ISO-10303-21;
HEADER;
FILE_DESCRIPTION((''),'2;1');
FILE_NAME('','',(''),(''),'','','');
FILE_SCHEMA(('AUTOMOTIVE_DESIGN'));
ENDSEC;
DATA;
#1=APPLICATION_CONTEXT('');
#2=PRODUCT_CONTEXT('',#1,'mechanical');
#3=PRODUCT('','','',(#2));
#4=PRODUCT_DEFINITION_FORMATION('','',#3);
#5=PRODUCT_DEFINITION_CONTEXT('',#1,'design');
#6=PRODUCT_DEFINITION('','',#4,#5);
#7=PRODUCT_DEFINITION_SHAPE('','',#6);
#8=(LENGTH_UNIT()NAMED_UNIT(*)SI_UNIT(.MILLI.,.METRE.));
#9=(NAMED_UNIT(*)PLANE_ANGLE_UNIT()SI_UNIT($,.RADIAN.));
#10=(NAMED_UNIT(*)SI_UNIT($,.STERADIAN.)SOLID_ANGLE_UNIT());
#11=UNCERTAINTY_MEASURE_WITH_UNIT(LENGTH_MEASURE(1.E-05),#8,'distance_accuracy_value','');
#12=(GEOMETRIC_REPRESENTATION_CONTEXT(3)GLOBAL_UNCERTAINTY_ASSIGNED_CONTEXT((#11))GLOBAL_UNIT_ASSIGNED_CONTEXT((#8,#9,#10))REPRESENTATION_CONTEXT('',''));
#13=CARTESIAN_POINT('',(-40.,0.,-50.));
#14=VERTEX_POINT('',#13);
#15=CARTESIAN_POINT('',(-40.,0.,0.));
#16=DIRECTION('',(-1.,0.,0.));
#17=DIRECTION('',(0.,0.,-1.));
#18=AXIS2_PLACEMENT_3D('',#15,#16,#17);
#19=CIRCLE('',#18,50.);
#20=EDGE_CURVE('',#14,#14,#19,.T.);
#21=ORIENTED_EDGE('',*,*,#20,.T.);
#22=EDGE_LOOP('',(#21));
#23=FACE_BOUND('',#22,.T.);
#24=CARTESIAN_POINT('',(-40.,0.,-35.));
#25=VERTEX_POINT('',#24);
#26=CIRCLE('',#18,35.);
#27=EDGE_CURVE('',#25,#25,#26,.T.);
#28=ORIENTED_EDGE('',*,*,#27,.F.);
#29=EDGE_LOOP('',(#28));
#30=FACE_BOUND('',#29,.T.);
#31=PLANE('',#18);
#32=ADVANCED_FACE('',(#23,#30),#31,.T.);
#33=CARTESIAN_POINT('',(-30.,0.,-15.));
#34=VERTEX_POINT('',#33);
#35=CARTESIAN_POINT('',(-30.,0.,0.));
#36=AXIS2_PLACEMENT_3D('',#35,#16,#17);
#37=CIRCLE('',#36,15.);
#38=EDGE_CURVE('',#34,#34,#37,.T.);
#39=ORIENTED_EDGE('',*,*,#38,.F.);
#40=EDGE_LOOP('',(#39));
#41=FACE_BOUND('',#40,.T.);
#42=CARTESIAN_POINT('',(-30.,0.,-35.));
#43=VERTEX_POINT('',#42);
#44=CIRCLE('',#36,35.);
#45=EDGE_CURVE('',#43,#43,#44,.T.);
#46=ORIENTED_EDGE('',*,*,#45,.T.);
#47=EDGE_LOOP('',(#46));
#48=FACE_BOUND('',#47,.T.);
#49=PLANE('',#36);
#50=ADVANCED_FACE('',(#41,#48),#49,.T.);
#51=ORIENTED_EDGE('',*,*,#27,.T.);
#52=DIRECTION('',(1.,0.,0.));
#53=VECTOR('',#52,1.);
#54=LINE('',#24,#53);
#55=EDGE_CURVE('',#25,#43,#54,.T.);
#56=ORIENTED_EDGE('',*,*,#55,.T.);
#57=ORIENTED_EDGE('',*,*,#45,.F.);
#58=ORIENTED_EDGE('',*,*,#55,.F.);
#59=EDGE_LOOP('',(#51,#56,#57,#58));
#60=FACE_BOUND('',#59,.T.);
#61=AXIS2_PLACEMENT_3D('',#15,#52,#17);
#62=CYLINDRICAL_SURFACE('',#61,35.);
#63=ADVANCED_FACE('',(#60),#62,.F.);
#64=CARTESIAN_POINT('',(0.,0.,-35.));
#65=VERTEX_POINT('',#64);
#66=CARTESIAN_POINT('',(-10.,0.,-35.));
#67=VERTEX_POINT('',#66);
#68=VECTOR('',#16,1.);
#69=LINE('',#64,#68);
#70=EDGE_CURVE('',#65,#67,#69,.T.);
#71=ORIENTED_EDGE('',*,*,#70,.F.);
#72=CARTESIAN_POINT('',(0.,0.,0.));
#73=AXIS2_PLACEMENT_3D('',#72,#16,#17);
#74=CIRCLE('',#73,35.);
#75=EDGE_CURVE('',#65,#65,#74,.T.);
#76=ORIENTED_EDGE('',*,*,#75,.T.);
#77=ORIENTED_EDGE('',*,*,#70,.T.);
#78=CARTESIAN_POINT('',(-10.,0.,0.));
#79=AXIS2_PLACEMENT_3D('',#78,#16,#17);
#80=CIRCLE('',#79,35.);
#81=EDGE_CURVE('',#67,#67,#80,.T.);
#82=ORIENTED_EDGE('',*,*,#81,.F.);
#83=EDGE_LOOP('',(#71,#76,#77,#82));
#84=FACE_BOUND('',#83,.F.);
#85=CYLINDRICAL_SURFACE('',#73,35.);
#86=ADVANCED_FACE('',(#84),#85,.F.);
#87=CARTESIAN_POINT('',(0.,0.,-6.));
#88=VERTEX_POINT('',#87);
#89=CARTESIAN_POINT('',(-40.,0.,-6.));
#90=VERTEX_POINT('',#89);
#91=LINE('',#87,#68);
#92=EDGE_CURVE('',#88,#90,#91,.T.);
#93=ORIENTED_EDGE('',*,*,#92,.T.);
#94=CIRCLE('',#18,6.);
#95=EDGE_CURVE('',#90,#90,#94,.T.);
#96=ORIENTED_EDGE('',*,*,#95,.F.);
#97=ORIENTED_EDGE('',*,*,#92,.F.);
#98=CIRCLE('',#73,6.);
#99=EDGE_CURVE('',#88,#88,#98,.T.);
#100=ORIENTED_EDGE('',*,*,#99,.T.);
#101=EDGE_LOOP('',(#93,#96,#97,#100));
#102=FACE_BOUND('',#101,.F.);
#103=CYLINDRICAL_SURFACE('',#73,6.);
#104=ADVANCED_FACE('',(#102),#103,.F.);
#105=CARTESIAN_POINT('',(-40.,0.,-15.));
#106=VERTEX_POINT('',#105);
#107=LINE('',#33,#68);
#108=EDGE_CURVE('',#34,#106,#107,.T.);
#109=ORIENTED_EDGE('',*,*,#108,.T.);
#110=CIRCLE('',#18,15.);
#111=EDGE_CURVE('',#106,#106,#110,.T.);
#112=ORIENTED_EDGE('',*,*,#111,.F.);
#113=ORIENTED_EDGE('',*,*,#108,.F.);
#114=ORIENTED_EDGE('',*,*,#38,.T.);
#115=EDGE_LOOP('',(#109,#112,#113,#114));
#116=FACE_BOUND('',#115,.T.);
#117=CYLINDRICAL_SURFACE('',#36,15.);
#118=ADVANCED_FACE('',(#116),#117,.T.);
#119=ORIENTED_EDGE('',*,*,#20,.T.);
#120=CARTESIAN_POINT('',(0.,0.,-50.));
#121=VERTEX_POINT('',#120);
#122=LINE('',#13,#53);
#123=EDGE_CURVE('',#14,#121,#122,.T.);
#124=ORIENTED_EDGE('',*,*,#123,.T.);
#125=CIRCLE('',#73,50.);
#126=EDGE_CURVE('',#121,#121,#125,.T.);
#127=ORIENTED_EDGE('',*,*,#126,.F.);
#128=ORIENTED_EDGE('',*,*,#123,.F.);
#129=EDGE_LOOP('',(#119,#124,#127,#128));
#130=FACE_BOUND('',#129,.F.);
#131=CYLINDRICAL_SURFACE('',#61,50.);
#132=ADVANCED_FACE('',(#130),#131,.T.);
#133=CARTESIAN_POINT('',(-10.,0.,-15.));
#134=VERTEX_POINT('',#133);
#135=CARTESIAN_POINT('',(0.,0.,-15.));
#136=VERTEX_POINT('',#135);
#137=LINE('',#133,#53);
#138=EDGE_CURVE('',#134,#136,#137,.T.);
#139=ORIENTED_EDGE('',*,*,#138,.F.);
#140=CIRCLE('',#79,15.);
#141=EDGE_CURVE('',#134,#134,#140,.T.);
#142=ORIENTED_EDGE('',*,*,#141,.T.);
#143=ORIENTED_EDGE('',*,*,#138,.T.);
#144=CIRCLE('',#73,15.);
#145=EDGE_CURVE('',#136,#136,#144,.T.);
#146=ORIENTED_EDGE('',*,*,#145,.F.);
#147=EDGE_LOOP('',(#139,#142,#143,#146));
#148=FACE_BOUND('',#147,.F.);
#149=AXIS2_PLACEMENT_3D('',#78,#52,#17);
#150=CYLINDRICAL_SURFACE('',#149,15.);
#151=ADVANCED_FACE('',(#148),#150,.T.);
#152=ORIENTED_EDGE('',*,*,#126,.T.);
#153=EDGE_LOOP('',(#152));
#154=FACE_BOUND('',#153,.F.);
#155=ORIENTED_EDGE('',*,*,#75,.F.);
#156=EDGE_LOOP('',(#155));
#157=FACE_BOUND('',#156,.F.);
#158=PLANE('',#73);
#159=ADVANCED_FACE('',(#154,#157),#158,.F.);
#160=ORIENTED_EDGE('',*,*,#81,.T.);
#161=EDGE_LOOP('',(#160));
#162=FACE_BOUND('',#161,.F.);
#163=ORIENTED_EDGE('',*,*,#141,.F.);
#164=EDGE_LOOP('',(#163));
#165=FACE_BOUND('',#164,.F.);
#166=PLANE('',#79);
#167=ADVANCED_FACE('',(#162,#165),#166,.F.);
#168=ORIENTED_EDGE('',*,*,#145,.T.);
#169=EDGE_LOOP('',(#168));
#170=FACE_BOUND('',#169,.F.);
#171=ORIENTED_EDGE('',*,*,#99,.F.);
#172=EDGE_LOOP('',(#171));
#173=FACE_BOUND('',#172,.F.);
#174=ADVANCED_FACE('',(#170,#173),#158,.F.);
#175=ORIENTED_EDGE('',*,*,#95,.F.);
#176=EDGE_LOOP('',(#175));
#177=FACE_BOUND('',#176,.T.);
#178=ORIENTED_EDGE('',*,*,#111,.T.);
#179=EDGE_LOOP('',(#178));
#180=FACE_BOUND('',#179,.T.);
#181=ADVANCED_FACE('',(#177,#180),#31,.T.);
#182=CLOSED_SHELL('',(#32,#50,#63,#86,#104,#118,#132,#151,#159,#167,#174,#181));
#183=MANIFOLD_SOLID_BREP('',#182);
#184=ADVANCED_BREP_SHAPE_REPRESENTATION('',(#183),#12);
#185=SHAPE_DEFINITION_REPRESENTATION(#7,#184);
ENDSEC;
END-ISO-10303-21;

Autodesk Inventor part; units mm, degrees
ref_plane "YZ Plane" through (0, 0, 0) normal (1, 0, 0) x (0, 1, 0)
ref_plane "XZ Plane" through (0, 0, 0) normal (0, 1, 0) x (-1, 0, 0)
ref_plane "XY Plane" through (0, 0, 0) normal (0, 0, 1) x (1, 0, 0)
sketch "Sketch1" plane through (0, 0, 0) normal (0, 1, 0) x (-1, 0, 0)
  line L0 (0, 0) -> (0, -6) construction
  line L1 (0, -6) -> (40, -6)
  line L2 (40, -6) -> (40, -50) construction
  line L3 (40, -50) -> (0, -50)
  line L4 (0, -50) -> (0, -35)
  line L5 (0, -35) -> (10, -35)
  line L6 (10, -35) -> (10, -15)
  line L7 (10, -15) -> (0, -15)
  line L8 (0, -15) -> (0, -6)
  line L9 (20, -6) -> (20, -50) construction
  line L10 (40, -50) -> (40, -35)
  line L11 (40, -35) -> (30, -35)
  line L12 (30, -35) -> (30, -15)
  line L13 (30, -15) -> (40, -15)
  line L14 (40, -15) -> (40, -6)
  line L15 (0, 0) -> (40, 0) construction
  dimension "d0" = 6
  dimension "d1" = 40
  dimension "d2" = 44
  dimension "d3" = 15
  dimension "d4" = 10
  dimension "d5" = 20
revolve "Revolution1" add sketch "Sketch1" angle 360 about axis through (0, 0, 0) along (-1, 0, 0)
properties part number "KZ"
